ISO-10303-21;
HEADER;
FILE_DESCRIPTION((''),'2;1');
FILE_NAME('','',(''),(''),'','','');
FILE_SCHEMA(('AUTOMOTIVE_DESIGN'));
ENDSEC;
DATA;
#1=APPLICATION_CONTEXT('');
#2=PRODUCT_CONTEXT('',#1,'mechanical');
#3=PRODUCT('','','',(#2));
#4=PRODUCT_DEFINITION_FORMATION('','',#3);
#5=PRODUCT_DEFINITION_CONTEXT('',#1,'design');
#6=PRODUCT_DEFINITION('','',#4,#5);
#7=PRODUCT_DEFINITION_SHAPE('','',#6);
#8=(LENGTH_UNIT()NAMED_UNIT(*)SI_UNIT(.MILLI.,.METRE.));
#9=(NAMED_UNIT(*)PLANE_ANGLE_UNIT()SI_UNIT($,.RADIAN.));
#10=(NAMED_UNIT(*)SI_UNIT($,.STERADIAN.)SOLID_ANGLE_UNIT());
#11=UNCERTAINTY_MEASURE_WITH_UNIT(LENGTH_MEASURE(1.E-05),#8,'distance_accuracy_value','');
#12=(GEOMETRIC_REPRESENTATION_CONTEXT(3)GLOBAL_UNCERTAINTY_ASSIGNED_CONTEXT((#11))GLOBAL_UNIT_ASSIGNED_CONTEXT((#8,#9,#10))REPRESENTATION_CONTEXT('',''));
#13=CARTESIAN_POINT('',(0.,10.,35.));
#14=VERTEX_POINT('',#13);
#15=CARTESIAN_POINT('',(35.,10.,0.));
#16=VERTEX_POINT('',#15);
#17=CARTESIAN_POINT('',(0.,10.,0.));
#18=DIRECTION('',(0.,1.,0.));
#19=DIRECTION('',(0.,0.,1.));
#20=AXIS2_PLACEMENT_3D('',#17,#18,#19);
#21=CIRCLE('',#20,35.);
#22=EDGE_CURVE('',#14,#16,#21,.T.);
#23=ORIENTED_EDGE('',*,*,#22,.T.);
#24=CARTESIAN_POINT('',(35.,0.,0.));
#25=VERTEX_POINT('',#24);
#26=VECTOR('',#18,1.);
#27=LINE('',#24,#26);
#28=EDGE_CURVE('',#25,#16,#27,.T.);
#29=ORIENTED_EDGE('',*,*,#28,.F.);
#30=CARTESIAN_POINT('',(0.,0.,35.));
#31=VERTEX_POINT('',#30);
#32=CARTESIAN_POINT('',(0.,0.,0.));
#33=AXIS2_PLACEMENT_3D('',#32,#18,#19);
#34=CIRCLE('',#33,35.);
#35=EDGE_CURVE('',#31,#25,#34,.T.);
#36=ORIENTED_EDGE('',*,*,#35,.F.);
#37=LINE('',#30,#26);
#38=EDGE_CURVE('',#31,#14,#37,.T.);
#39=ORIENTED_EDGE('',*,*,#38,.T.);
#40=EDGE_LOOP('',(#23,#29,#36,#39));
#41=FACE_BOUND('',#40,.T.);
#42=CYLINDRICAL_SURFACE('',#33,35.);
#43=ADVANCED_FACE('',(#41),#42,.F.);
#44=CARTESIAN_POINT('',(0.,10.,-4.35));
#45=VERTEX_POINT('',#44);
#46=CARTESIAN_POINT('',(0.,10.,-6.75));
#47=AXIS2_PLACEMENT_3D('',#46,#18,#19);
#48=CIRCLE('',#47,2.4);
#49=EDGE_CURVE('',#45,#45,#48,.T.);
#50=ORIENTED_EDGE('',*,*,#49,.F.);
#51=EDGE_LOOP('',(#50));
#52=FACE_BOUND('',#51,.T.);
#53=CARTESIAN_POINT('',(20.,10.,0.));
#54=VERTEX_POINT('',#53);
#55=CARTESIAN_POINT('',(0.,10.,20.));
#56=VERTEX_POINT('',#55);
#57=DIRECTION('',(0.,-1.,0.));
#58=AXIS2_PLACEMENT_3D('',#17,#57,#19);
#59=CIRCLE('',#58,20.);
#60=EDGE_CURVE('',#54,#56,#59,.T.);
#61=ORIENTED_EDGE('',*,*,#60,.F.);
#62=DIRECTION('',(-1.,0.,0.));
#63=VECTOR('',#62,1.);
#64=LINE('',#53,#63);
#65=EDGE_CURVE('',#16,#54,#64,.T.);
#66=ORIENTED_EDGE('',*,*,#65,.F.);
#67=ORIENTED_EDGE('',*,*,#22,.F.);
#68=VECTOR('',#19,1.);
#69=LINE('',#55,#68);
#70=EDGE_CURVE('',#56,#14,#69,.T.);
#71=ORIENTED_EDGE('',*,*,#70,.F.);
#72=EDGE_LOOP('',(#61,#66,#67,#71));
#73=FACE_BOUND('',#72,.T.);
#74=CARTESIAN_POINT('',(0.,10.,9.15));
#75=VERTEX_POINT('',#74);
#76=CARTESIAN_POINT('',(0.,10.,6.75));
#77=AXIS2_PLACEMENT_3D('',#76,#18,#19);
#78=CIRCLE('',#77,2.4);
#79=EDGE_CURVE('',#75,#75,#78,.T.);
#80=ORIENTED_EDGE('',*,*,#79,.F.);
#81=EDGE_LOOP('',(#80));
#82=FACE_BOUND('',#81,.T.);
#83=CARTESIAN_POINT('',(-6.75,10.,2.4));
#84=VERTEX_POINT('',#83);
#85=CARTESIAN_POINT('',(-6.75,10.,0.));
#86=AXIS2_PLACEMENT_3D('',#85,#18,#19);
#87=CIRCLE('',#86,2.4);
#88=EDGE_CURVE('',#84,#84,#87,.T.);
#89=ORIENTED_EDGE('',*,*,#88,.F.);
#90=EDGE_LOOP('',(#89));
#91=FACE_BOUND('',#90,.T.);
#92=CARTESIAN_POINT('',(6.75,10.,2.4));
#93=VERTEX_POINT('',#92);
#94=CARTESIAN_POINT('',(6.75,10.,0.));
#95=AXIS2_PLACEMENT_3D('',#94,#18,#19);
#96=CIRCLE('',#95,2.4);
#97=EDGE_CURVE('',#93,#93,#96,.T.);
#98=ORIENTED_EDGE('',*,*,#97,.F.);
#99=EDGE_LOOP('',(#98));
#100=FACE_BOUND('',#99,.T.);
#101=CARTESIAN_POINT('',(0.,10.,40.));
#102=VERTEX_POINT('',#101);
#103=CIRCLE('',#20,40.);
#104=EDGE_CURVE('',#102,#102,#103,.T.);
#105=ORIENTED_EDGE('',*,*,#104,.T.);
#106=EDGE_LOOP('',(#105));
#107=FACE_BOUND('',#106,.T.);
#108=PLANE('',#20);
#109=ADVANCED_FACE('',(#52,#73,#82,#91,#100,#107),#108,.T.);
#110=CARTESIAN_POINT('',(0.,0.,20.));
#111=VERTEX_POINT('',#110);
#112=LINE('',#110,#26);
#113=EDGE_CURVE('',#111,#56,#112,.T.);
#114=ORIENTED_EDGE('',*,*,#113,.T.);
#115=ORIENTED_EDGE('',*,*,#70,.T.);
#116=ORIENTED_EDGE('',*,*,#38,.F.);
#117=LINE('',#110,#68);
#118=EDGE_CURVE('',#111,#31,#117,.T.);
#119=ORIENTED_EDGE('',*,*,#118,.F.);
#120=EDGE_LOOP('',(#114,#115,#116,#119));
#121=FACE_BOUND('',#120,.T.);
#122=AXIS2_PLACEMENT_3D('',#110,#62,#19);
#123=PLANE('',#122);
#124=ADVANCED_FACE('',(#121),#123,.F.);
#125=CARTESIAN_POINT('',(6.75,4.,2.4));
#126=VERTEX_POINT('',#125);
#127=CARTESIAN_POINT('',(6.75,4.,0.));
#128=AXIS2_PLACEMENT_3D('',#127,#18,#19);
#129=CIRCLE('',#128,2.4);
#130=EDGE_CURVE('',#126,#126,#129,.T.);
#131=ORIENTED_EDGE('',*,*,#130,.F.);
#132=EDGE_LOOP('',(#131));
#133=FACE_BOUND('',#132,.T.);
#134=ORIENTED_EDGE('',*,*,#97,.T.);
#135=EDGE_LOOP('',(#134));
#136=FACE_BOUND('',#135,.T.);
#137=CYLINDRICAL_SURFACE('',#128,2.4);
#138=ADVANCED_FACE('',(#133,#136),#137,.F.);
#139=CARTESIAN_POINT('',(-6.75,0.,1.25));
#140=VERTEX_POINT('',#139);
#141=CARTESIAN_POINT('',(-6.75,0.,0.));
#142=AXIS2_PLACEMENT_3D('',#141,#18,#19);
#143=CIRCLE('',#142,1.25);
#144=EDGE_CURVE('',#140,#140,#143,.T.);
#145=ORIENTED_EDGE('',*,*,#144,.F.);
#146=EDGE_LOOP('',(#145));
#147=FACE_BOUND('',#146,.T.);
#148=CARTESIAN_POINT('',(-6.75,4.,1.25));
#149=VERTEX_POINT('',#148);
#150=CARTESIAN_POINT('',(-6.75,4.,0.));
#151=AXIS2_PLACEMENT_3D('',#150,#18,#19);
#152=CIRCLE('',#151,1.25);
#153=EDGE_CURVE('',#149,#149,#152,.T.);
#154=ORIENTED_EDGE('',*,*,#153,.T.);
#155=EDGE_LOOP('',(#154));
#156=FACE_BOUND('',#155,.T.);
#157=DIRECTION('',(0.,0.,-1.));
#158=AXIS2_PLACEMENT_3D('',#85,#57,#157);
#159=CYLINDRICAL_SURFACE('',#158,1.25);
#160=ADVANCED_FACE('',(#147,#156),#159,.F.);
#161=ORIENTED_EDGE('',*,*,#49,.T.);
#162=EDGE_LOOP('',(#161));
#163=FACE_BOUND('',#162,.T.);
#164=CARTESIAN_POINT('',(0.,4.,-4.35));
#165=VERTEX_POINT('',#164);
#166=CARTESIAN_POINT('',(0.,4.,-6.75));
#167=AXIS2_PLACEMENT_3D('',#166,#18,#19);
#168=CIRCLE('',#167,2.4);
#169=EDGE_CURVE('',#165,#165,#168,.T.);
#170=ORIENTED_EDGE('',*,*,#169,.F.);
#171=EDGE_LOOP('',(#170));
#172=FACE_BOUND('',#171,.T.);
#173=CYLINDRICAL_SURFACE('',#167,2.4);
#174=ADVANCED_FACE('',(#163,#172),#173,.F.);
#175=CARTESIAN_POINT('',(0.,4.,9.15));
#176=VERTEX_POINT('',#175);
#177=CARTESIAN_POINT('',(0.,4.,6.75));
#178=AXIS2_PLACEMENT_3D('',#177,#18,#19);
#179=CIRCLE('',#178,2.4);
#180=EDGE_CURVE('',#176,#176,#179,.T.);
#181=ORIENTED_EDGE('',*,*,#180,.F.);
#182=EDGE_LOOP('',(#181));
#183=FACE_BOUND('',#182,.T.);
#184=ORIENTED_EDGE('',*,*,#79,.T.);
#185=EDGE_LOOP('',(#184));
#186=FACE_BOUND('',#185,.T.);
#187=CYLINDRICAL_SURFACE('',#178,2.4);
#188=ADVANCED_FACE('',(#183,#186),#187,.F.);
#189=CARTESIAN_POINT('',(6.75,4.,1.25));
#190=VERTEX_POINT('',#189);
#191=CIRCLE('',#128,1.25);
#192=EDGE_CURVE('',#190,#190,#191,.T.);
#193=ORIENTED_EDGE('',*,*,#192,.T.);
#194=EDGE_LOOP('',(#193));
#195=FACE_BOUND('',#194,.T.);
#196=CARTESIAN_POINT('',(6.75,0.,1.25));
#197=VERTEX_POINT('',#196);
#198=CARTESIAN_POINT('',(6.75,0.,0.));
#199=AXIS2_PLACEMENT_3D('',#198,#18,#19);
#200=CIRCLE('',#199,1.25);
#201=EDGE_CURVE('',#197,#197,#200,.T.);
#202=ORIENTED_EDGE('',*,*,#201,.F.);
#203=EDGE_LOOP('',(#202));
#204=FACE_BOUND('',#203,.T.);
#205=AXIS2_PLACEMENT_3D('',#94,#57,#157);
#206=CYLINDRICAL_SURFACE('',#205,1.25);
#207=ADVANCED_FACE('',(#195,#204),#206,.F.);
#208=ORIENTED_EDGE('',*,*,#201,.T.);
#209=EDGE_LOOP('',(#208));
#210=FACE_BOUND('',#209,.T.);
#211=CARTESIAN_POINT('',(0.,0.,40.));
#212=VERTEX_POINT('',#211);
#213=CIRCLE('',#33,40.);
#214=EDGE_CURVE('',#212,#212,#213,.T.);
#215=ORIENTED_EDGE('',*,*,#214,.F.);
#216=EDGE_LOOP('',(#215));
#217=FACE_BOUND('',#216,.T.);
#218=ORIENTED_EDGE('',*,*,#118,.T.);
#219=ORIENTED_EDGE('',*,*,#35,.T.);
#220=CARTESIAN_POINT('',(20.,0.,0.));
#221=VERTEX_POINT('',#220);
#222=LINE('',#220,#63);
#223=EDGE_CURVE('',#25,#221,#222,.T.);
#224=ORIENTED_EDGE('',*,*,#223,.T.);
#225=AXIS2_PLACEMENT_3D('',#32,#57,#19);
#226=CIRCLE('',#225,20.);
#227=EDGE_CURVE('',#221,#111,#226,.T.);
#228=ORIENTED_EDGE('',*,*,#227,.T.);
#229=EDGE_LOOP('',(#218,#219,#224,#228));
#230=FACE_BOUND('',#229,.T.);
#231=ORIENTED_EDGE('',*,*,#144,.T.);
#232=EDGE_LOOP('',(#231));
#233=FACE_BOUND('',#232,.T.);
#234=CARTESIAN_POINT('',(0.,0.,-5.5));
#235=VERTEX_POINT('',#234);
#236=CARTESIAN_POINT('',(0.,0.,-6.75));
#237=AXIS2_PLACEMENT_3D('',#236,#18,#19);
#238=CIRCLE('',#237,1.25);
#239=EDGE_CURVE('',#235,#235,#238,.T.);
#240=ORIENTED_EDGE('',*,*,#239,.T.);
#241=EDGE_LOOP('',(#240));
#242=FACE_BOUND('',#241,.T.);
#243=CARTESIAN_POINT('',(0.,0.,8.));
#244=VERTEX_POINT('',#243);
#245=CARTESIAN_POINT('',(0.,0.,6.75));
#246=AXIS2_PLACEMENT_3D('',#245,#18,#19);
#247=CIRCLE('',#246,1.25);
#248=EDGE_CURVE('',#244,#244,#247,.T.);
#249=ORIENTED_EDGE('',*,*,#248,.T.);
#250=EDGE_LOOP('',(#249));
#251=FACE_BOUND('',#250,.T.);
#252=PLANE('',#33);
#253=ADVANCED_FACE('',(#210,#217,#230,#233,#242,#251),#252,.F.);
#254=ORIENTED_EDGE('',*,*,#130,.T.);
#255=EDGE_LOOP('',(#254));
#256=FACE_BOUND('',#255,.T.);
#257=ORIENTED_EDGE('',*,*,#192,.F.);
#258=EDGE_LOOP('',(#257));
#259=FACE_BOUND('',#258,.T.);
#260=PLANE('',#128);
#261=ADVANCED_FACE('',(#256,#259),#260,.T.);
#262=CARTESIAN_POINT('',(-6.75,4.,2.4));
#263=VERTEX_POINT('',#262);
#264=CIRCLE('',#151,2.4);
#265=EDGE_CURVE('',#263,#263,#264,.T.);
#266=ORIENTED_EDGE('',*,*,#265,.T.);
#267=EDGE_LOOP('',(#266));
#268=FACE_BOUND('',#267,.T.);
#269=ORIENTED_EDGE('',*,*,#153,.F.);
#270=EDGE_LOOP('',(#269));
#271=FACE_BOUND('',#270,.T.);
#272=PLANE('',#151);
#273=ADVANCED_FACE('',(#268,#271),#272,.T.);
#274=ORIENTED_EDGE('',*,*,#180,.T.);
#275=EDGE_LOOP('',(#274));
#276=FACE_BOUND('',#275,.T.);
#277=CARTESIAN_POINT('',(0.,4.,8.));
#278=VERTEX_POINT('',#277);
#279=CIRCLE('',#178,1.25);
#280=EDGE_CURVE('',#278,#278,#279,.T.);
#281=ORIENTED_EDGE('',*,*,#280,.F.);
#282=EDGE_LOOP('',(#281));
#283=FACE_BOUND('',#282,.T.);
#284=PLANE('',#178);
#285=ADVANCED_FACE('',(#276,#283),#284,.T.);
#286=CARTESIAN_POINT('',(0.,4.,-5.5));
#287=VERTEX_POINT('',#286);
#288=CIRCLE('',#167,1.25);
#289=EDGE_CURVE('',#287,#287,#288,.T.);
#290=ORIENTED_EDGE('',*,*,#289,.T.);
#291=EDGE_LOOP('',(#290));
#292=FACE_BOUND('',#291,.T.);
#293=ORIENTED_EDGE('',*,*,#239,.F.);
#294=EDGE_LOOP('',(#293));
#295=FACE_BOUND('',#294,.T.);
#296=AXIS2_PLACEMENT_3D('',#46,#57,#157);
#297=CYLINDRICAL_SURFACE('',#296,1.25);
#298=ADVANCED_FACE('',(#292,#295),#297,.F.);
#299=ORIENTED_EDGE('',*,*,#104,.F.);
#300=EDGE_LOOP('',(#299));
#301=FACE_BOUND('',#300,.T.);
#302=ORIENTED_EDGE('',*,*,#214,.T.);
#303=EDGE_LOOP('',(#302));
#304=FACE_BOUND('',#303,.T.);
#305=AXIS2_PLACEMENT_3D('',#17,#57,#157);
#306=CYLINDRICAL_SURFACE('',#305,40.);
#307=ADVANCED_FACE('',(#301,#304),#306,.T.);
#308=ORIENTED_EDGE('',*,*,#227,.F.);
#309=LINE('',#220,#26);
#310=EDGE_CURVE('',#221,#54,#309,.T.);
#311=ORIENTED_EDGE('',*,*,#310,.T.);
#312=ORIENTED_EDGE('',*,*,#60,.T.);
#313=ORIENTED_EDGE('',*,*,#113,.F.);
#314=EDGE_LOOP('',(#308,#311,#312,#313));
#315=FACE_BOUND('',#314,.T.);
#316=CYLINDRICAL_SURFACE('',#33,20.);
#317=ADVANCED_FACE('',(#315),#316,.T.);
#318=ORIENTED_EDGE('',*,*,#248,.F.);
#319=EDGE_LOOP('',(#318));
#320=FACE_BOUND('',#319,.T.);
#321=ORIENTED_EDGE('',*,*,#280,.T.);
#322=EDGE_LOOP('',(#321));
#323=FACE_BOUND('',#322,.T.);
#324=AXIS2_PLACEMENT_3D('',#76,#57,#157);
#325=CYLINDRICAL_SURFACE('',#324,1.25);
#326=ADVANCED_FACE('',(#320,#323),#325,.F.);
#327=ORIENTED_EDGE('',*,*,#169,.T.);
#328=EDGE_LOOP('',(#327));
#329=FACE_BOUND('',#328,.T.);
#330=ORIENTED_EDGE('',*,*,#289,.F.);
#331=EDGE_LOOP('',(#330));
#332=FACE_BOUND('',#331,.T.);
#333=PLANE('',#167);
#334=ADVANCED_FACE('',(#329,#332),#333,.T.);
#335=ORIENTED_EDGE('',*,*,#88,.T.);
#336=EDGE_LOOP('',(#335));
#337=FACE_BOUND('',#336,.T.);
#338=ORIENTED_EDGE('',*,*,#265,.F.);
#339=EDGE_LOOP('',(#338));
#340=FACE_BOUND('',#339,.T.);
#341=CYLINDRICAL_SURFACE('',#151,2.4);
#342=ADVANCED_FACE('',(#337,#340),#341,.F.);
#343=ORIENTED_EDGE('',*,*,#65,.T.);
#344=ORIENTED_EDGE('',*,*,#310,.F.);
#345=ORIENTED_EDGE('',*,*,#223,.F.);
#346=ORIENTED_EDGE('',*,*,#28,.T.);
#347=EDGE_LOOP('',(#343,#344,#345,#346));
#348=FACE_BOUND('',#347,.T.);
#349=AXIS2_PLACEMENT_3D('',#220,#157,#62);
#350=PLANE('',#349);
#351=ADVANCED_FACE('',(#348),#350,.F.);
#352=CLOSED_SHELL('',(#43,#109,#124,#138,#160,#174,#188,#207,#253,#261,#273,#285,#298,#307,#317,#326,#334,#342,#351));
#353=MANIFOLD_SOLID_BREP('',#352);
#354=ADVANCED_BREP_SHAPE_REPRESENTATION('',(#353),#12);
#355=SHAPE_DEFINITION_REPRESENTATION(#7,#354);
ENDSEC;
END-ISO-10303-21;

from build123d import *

# Parameters (mm, degrees)
SKETCH_1_R          = 40
SKETCH_1_R_2        = 1.25
EXTRUDE_1_DEPTH     = 10
SKETCH_2_R          = 2.4
CUT_EXTRUDE_1_DEPTH = 6
CUT_EXTRUDE_2_DEPTH = 58.445626465


with BuildPart() as part:
    # 草图1 → 凸台-拉伸1 (new body)
    with BuildSketch(Plane(origin=(0, 0, 0), x_dir=(1, 0, 0), z_dir=(0, 1, 0))):
        with Locations(Location((0, 0, 0), (0, 0, 270))):
            Circle(SKETCH_1_R)
        with Locations(Location((6.75, 0, 0), (0, 0, 270))):
            Circle(SKETCH_1_R_2, mode=Mode.SUBTRACT)
        with Locations(Location((0, -6.75, 0), (0, 0, 270))):
            Circle(SKETCH_1_R_2, mode=Mode.SUBTRACT)
        with Locations(Location((-6.75, 0, 0), (0, 0, 270))):
            Circle(SKETCH_1_R_2, mode=Mode.SUBTRACT)
        with Locations(Location((0, 6.75, 0), (0, 0, 270))):
            Circle(SKETCH_1_R_2, mode=Mode.SUBTRACT)
    extrude(amount=EXTRUDE_1_DEPTH)

    # 草图2 → 切除-拉伸1 (cut)
    with BuildSketch(Plane(origin=(0, 10, 0), x_dir=(1, 0, 0), z_dir=(0, 1, 0))):
        with Locations(Location((0, 6.75, 0), (0, 0, 270))):
            Circle(SKETCH_2_R)
        with Locations(Location((6.75, 0, 0), (0, 0, 270))):
            Circle(SKETCH_2_R)
        with Locations(Location((0, -6.75, 0), (0, 0, 270))):
            Circle(SKETCH_2_R)
        with Locations(Location((-6.75, 0, 0), (0, 0, 270))):
            Circle(SKETCH_2_R)
    extrude(amount=-CUT_EXTRUDE_1_DEPTH, mode=Mode.SUBTRACT)

    # 草图3 → 切除-拉伸2 (cut, through all)
    with BuildSketch(Plane(origin=(0, 10, 0), x_dir=(1, 0, 0), z_dir=(0, 1, 0))):
        with BuildLine():
            Line((20, 0), (35, 0))
            ThreePointArc((35, 0), (24.748737342, -24.748737342), (0, -35))
            Line((0, -35), (0, -20))
            ThreePointArc((0, -20), (14.142135624, -14.142135624), (20, 0))
        make_face()
    extrude(amount=-CUT_EXTRUDE_2_DEPTH, mode=Mode.SUBTRACT)


solid = part.part
